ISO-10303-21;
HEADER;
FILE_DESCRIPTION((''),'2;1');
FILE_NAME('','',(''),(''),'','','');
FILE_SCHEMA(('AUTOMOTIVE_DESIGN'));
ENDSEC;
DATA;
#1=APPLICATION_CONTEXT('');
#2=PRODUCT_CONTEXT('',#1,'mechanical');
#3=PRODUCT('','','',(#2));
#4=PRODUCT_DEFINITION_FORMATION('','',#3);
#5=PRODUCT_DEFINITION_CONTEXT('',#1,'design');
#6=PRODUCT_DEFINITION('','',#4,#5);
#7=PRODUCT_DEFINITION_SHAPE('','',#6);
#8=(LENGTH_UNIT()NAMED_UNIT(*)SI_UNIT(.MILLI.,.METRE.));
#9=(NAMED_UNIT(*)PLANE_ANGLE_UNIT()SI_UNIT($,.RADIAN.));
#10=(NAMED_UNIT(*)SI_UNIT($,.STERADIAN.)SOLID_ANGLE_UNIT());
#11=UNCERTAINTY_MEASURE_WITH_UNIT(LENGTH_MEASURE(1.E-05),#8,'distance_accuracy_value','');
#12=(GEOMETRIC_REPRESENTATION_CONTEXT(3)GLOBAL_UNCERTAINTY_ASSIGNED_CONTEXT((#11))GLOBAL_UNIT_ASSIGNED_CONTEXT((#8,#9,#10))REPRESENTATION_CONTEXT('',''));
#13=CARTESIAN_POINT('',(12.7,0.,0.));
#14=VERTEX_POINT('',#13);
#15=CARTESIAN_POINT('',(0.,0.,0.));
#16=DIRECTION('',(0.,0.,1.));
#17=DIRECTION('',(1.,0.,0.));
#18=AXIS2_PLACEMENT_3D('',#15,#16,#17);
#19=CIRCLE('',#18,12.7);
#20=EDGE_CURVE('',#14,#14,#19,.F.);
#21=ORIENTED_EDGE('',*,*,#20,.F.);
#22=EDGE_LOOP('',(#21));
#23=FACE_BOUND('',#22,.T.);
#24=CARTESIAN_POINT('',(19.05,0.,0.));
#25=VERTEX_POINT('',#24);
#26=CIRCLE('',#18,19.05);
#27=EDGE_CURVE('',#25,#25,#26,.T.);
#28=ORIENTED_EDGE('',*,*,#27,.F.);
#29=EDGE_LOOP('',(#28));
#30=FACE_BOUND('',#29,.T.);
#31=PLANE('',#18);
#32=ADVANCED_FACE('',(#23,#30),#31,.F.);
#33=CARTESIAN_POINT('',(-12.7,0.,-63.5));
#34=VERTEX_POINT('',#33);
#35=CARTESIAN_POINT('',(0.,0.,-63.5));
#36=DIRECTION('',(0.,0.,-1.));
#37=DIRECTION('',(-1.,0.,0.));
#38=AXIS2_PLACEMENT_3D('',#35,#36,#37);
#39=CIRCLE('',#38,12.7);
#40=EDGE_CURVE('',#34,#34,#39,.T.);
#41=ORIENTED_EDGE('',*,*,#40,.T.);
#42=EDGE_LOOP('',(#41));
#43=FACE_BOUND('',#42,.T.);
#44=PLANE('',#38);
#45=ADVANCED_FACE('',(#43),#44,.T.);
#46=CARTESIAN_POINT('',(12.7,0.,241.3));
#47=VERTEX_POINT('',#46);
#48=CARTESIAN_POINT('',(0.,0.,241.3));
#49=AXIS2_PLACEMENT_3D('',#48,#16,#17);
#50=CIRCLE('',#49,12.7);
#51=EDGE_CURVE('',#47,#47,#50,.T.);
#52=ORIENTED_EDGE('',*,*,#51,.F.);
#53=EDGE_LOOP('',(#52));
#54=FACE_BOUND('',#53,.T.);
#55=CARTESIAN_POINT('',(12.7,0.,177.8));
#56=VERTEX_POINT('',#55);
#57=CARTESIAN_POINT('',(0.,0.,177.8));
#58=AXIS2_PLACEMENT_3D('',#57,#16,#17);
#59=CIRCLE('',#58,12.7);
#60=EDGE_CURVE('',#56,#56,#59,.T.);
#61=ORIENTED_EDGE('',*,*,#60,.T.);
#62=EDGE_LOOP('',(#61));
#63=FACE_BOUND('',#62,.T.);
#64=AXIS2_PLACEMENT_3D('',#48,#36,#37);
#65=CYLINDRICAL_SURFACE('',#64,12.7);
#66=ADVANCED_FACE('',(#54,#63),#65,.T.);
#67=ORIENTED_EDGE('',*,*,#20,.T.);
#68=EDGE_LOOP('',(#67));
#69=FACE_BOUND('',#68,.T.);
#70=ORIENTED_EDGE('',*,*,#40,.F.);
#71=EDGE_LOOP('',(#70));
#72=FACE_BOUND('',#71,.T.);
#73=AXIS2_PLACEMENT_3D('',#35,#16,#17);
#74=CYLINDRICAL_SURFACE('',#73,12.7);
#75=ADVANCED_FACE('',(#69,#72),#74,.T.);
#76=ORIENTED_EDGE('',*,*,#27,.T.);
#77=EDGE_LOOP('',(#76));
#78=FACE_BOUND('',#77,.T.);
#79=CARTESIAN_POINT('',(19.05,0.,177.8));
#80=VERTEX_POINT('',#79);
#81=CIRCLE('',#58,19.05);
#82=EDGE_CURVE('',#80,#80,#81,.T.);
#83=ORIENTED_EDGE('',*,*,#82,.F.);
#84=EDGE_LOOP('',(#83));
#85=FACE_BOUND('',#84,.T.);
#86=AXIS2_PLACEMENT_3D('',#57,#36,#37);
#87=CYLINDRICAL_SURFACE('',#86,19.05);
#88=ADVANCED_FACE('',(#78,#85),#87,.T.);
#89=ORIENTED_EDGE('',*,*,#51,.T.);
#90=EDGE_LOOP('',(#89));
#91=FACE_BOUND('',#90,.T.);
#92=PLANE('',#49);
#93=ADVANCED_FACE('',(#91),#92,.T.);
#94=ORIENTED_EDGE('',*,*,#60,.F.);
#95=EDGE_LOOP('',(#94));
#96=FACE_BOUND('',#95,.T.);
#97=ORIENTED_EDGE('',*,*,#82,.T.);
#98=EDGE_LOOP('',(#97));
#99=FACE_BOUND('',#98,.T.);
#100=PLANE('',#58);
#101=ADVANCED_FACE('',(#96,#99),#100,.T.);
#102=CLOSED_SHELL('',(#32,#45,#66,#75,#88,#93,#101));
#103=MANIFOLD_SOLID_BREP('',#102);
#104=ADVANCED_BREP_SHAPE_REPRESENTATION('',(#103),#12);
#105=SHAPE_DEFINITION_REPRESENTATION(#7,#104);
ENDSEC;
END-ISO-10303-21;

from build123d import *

# Parameters (mm, degrees)
SKETCH1_R           = 19.05
BOSS_EXTRUDE1_DEPTH = 177.8
SKETCH2_R           = 12.7
BOSS_EXTRUDE2_DEPTH = 63.5
SKETCH3_R           = 12.7
BOSS_EXTRUDE3_DEPTH = 63.5


with BuildPart() as part:
    # Sketch1 → Boss-Extrude1 (new body)
    with BuildSketch(Plane.XY):
        Circle(SKETCH1_R)
    extrude(amount=BOSS_EXTRUDE1_DEPTH)

    # Sketch2 → Boss-Extrude2 (add)
    with BuildSketch(Plane.XY.offset(177.8)):
        Circle(SKETCH2_R)
    extrude(amount=BOSS_EXTRUDE2_DEPTH)

    # Sketch3 → Boss-Extrude3 (add)
    with BuildSketch(Plane(origin=(0, 0, 0), x_dir=(-1, 0, 0), z_dir=(0, 0, -1))):
        Circle(SKETCH3_R)
    extrude(amount=BOSS_EXTRUDE3_DEPTH)


solid = part.part
